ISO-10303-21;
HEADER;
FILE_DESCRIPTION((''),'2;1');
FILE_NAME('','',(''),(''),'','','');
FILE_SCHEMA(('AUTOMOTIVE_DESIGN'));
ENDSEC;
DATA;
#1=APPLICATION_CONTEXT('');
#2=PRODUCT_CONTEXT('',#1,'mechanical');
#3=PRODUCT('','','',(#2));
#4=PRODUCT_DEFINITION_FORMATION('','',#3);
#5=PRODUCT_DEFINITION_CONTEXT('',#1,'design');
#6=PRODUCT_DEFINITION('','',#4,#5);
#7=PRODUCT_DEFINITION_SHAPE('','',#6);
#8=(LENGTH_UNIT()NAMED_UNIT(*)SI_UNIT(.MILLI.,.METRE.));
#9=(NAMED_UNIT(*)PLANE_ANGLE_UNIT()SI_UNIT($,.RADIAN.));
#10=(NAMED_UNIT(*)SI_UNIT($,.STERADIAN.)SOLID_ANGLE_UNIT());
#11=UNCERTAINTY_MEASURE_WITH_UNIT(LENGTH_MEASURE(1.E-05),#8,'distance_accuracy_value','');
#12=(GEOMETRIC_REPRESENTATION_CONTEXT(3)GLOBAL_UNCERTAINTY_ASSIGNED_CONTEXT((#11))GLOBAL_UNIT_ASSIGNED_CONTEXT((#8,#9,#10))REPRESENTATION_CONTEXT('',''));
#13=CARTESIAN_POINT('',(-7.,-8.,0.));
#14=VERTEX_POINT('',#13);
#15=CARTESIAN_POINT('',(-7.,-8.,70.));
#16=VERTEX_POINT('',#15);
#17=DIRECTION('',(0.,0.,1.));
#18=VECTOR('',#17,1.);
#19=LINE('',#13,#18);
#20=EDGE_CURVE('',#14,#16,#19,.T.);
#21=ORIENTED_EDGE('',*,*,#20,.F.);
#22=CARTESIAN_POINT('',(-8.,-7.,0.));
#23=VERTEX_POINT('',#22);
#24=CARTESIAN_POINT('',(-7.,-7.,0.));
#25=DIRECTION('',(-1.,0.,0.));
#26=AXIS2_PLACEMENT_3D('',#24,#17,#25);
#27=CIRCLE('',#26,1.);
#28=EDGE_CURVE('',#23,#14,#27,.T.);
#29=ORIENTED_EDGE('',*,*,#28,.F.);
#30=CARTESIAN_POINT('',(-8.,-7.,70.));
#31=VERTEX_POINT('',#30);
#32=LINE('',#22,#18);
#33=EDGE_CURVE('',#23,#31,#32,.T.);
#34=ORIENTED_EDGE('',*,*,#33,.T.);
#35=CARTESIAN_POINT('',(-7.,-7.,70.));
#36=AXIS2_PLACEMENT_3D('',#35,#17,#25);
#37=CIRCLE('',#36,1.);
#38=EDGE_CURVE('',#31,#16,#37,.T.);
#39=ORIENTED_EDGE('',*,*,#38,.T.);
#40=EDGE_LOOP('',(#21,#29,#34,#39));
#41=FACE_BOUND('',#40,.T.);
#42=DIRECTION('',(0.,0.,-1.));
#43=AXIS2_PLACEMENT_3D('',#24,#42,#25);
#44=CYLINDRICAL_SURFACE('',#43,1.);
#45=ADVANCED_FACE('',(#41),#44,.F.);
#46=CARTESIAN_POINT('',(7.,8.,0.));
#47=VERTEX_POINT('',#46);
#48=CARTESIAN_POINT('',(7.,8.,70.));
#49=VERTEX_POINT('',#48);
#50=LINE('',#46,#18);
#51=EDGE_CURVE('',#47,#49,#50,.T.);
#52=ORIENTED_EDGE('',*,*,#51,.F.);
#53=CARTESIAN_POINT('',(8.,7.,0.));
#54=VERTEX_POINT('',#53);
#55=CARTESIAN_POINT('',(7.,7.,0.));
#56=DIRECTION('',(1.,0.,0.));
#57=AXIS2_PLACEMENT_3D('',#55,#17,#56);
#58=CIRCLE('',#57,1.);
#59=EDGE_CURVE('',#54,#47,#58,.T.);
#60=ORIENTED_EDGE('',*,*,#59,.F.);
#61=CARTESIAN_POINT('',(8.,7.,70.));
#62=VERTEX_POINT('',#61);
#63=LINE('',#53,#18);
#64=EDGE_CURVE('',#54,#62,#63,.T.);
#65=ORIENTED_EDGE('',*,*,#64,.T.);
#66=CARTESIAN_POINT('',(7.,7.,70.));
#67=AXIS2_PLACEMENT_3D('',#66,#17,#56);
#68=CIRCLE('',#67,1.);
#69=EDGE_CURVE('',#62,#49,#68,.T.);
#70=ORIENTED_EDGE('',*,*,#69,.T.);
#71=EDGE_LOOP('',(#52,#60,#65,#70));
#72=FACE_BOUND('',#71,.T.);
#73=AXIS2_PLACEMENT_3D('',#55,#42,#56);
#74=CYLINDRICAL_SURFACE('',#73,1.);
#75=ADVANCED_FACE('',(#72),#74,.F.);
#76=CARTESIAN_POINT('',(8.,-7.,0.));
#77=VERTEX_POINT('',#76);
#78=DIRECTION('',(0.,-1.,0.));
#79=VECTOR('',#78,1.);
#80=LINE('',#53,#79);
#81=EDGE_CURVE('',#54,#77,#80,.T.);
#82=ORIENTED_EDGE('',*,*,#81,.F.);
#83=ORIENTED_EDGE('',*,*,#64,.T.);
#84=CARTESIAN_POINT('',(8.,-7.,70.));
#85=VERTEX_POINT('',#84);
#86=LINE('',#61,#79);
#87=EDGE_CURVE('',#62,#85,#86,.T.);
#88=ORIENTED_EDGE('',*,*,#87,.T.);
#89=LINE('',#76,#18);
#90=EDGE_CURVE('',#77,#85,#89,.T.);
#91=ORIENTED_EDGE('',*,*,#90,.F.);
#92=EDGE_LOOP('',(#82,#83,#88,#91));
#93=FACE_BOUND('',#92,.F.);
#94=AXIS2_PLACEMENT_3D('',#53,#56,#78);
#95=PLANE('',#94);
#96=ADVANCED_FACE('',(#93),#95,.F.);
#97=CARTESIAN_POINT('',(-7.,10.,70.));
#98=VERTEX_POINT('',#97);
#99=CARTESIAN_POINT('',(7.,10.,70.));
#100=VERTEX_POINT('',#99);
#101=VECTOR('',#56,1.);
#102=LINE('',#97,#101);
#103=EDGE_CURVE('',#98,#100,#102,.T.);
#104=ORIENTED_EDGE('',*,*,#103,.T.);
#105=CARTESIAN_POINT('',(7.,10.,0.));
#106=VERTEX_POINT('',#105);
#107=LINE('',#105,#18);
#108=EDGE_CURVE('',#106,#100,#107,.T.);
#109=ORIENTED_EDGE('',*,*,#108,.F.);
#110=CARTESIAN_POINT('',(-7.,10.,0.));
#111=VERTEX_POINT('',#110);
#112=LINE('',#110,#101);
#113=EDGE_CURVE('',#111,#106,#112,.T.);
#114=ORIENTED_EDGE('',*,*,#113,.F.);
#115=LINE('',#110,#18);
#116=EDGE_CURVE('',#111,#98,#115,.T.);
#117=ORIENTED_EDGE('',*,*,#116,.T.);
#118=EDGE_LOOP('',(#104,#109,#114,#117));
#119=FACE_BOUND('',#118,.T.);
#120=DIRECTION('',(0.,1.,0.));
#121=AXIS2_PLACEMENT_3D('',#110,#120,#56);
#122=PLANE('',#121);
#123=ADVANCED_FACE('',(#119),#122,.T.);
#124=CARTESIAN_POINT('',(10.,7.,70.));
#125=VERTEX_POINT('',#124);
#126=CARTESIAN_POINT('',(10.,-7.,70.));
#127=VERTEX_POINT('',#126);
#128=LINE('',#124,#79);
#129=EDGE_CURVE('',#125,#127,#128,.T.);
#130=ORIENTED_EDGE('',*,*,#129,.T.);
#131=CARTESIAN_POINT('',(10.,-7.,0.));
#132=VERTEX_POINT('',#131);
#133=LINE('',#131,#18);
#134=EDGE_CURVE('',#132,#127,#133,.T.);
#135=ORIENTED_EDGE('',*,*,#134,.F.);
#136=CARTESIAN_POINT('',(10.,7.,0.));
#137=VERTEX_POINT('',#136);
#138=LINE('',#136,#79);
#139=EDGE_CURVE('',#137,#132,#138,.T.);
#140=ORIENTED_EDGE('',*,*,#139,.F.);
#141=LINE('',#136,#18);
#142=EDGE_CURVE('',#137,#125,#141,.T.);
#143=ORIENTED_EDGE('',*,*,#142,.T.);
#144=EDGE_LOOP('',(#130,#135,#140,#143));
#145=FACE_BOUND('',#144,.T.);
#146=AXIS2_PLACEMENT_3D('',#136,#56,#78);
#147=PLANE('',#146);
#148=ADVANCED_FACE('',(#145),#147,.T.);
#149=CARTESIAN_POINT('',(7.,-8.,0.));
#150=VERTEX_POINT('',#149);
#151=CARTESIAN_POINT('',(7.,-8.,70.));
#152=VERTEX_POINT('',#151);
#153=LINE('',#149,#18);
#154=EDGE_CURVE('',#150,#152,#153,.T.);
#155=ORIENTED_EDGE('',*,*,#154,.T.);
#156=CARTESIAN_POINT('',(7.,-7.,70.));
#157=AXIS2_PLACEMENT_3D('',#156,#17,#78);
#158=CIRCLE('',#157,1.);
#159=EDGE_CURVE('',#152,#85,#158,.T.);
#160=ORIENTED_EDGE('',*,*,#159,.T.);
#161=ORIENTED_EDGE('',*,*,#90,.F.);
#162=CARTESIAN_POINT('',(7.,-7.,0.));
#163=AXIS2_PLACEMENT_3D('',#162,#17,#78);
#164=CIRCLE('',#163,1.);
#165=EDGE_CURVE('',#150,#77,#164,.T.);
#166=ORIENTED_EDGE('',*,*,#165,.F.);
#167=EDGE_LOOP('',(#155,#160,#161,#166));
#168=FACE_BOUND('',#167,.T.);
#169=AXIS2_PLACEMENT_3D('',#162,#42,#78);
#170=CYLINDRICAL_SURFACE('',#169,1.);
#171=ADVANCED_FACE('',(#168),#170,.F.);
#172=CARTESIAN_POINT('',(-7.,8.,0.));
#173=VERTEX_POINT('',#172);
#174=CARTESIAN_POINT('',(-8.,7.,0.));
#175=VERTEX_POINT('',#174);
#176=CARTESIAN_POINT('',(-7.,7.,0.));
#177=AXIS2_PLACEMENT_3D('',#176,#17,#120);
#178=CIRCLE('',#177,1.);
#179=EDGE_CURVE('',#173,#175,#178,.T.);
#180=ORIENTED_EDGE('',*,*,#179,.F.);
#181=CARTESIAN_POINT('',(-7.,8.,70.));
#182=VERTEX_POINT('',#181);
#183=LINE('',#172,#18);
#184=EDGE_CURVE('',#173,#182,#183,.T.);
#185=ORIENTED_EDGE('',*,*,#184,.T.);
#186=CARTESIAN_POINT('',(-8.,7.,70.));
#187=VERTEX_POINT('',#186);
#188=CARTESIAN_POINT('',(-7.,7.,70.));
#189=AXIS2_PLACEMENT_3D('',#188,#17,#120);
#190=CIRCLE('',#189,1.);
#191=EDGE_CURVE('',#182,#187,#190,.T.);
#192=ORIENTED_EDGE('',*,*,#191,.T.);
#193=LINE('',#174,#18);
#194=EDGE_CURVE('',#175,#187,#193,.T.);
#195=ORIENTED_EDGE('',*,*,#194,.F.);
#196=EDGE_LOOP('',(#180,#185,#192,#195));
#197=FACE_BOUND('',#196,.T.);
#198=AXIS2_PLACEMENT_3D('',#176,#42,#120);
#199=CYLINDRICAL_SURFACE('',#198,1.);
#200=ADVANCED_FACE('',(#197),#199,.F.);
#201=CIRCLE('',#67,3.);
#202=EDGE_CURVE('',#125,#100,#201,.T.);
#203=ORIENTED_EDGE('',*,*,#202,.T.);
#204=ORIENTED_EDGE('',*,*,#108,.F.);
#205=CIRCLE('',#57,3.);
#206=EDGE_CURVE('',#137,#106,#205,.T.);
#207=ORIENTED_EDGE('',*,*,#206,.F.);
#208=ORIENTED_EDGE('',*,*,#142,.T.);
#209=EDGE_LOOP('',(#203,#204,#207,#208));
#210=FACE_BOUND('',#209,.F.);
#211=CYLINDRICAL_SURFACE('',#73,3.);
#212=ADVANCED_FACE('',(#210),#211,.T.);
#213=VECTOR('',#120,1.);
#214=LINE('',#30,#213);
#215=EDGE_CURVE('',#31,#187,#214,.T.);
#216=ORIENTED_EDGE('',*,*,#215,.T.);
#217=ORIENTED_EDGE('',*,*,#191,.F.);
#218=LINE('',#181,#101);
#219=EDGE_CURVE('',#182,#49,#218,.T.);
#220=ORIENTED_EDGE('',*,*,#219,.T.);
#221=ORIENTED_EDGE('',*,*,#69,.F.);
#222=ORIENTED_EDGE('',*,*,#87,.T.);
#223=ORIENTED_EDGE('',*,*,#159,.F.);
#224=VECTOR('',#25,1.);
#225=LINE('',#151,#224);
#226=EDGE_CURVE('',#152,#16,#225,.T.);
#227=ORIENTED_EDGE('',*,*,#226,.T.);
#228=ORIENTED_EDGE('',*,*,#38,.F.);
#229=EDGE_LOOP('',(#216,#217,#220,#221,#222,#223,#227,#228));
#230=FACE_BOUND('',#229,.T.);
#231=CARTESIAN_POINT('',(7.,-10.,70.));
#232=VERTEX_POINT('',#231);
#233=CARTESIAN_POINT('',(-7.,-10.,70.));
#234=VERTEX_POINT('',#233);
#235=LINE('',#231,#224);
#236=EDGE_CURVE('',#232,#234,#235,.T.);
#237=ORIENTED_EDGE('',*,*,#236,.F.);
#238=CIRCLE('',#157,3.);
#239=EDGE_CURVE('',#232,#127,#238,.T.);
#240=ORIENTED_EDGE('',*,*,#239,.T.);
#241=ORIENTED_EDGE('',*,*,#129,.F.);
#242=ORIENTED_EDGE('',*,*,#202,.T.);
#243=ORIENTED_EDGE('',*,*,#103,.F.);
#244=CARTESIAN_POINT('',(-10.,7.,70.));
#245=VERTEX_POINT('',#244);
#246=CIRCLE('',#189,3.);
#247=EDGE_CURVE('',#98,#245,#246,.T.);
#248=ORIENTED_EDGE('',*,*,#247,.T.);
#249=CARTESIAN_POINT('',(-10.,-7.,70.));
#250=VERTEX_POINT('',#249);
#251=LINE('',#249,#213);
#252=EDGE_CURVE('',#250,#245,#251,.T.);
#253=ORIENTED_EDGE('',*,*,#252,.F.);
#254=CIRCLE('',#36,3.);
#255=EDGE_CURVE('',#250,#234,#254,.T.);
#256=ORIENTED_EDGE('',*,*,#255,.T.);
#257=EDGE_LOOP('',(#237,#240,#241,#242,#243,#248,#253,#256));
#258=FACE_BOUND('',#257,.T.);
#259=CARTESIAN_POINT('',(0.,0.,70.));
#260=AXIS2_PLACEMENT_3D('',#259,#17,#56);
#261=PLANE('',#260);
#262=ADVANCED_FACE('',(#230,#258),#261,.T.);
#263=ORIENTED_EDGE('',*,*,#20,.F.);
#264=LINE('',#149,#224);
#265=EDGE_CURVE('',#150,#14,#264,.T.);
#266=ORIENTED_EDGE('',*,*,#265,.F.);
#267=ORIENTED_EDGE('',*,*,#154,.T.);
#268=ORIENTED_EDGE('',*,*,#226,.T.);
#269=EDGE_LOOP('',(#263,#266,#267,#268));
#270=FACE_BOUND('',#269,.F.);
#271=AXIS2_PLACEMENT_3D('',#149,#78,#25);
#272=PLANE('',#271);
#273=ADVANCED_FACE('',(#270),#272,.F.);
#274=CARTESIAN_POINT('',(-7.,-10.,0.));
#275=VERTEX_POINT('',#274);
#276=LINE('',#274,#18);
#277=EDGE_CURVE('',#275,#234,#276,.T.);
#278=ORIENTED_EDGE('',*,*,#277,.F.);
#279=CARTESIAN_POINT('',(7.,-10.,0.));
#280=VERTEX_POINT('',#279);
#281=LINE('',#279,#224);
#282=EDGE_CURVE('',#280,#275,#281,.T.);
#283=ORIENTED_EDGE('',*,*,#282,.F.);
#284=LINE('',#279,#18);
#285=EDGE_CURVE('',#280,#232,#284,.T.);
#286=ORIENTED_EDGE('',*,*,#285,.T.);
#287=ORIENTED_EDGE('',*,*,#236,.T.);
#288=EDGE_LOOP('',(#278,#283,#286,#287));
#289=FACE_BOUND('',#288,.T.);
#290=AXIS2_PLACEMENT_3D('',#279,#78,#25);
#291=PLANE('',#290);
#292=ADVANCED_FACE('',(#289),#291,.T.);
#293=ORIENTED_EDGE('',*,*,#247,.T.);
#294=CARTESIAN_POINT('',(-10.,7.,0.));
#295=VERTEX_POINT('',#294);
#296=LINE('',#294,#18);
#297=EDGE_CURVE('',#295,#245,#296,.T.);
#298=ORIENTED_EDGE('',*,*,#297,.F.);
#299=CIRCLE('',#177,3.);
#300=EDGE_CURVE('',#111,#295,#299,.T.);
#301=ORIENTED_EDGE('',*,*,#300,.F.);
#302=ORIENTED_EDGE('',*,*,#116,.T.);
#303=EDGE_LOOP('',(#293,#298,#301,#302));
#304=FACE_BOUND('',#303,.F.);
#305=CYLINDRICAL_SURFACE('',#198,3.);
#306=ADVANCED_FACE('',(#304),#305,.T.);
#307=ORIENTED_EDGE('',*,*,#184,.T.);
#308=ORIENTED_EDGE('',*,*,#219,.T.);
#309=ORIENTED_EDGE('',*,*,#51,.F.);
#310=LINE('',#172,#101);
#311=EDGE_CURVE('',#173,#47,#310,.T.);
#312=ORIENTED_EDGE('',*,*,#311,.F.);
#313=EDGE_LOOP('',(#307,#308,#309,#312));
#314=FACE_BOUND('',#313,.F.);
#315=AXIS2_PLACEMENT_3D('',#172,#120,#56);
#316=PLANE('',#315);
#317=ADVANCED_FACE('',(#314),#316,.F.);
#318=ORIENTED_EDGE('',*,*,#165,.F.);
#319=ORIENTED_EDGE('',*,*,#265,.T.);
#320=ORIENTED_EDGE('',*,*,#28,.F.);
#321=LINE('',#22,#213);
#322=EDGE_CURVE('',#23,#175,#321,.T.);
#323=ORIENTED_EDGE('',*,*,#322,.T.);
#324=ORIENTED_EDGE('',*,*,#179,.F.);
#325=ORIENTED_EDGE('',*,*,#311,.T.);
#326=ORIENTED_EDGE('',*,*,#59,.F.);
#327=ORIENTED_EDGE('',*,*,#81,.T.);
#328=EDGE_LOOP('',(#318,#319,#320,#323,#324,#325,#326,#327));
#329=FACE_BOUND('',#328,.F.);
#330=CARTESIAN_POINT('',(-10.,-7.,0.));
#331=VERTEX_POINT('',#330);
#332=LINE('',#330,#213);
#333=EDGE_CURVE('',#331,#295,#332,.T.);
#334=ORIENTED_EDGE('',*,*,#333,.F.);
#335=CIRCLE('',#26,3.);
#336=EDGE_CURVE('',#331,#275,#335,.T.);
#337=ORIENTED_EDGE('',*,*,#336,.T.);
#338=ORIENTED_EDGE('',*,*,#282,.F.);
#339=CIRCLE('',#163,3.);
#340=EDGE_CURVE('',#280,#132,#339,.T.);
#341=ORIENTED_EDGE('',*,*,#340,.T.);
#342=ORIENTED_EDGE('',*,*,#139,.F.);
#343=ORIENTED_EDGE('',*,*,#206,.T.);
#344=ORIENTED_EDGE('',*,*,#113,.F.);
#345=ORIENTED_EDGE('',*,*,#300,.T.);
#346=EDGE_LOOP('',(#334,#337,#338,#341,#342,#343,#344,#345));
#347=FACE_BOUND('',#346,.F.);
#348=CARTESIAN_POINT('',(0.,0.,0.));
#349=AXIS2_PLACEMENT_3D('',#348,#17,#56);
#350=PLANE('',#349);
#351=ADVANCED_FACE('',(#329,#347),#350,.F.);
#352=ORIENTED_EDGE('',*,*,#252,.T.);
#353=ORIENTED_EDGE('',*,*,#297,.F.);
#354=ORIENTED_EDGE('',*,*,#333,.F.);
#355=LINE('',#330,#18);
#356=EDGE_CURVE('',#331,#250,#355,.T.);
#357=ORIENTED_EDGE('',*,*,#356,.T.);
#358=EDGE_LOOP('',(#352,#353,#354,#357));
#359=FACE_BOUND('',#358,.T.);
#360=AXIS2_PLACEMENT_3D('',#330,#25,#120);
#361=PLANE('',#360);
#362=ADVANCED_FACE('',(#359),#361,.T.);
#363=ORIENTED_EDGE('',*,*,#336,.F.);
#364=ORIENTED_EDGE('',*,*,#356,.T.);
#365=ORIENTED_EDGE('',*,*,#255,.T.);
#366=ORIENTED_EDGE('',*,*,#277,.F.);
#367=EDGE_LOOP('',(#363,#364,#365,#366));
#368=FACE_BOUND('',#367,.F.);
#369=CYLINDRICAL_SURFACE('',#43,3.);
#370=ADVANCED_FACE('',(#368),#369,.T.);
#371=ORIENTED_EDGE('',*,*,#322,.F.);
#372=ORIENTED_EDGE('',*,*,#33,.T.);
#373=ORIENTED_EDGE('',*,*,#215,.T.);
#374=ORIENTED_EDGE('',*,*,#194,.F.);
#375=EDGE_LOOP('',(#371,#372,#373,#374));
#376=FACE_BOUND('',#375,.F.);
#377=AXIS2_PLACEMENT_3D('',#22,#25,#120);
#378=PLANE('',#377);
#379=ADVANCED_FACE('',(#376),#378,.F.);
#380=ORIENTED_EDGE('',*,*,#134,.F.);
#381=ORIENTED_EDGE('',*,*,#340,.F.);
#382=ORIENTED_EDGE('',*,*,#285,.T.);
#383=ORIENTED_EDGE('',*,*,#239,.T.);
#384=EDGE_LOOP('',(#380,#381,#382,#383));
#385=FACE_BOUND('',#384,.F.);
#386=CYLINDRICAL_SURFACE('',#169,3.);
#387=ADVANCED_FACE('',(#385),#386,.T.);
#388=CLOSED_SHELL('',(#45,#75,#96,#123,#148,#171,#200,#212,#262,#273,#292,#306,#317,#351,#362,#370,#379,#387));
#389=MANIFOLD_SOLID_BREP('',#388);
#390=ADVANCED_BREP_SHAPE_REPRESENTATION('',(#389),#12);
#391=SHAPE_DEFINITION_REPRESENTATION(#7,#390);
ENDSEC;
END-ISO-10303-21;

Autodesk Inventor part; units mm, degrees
ref_plane "YZ Plane" through (0, 0, 0) normal (1, 0, 0) x (0, 1, 0)
ref_plane "Start Plane" through (0, 0, 0) normal (0, 0, 1) x (1, 0, 0)
ref_plane "End Plane" through (0, 0, 70) normal (0, 0, 1) x (1, 0, 0)
sketch "Sketch" plane through (0, 0, 0) normal (0, 0, 1) x (1, 0, 0)
  line L0 (-10, -7) -> (-10, 7)
  line L1 (-7, 10) -> (7, 10)
  line L2 (10, 7) -> (10, -7)
  line L3 (7, -10) -> (-7, -10)
  arc A0 (-10, -7) -> (-7, -10) centre (-7, -7) ccw
  arc A1 (-7, 10) -> (-10, 7) centre (-7, 7) ccw
  arc A2 (10, 7) -> (7, 10) centre (7, 7) ccw
  arc A3 (7, -10) -> (10, -7) centre (7, -7) ccw
  arc A4 (-7, 8) -> (-8, 7) centre (-7, 7) ccw
  line L4 (-7, 8) -> (7, 8)
  arc A5 (8, 7) -> (7, 8) centre (7, 7) ccw
  line L5 (8, 7) -> (8, -7)
  arc A6 (7, -8) -> (8, -7) centre (7, -7) ccw
  line L6 (7, -8) -> (-7, -8)
  arc A7 (-8, -7) -> (-7, -8) centre (-7, -7) ccw
  line L7 (-8, -7) -> (-8, 7)
  line L8 (0, 14.8698) -> (0, -14.8698) construction
  line L9 (-14.8698, 0) -> (14.8698, 0) construction
  dimension "d7" = 3
  dimension "d10" = 20
  dimension "d11" = 20
  dimension "d12" = 2
  dimension "d15" = 10
  dimension "d16" = 10
extrude "Body" add sketch "Sketch" along normal up to surface (70 mm away) from surface at 0
sketch "Sketch3" plane through (0, 0, 0) normal (0, 0, 1) x (1, 0, 0)
  line L0 (0, 0) -> (10, 0)
ref_plane "Work Plane3" through (0, 0, 0) normal (0, -1, 0) x (1, 0, 0)
sketch "Sketch4" plane through (0, 0, 0) normal (0, -1, 0) x (1, 0, 0)
  line L0 (-2, 0) -> (12, 0)
  line L1 (-2, 70) -> (12, 70)
  dimension "d18" = 70
equation "\"d7\" = G_IR"
equation "\"d10\" = G_H"
equation "\"d11\" = G_W"
equation "\"d12\" = G_T"
equation "\"d15\" = 0.5 * d10"
equation "\"d16\" = 0.5 * d11"
equation "\"d3\" = G_L"
equation "\"G_W\" = 20"
equation "\"G_H\" = 20"
equation "\"G_T\" = 2"
equation "\"G_IR\" = 3"
equation "\"G_L\" = d18"
equation "\"G_OFFSET_START\" = 0"
equation "\"G_OFFSET_END\" = 0"
properties part number "ISO 12633-2 - 20x20x2 - 70" material "Steel, Mild"
